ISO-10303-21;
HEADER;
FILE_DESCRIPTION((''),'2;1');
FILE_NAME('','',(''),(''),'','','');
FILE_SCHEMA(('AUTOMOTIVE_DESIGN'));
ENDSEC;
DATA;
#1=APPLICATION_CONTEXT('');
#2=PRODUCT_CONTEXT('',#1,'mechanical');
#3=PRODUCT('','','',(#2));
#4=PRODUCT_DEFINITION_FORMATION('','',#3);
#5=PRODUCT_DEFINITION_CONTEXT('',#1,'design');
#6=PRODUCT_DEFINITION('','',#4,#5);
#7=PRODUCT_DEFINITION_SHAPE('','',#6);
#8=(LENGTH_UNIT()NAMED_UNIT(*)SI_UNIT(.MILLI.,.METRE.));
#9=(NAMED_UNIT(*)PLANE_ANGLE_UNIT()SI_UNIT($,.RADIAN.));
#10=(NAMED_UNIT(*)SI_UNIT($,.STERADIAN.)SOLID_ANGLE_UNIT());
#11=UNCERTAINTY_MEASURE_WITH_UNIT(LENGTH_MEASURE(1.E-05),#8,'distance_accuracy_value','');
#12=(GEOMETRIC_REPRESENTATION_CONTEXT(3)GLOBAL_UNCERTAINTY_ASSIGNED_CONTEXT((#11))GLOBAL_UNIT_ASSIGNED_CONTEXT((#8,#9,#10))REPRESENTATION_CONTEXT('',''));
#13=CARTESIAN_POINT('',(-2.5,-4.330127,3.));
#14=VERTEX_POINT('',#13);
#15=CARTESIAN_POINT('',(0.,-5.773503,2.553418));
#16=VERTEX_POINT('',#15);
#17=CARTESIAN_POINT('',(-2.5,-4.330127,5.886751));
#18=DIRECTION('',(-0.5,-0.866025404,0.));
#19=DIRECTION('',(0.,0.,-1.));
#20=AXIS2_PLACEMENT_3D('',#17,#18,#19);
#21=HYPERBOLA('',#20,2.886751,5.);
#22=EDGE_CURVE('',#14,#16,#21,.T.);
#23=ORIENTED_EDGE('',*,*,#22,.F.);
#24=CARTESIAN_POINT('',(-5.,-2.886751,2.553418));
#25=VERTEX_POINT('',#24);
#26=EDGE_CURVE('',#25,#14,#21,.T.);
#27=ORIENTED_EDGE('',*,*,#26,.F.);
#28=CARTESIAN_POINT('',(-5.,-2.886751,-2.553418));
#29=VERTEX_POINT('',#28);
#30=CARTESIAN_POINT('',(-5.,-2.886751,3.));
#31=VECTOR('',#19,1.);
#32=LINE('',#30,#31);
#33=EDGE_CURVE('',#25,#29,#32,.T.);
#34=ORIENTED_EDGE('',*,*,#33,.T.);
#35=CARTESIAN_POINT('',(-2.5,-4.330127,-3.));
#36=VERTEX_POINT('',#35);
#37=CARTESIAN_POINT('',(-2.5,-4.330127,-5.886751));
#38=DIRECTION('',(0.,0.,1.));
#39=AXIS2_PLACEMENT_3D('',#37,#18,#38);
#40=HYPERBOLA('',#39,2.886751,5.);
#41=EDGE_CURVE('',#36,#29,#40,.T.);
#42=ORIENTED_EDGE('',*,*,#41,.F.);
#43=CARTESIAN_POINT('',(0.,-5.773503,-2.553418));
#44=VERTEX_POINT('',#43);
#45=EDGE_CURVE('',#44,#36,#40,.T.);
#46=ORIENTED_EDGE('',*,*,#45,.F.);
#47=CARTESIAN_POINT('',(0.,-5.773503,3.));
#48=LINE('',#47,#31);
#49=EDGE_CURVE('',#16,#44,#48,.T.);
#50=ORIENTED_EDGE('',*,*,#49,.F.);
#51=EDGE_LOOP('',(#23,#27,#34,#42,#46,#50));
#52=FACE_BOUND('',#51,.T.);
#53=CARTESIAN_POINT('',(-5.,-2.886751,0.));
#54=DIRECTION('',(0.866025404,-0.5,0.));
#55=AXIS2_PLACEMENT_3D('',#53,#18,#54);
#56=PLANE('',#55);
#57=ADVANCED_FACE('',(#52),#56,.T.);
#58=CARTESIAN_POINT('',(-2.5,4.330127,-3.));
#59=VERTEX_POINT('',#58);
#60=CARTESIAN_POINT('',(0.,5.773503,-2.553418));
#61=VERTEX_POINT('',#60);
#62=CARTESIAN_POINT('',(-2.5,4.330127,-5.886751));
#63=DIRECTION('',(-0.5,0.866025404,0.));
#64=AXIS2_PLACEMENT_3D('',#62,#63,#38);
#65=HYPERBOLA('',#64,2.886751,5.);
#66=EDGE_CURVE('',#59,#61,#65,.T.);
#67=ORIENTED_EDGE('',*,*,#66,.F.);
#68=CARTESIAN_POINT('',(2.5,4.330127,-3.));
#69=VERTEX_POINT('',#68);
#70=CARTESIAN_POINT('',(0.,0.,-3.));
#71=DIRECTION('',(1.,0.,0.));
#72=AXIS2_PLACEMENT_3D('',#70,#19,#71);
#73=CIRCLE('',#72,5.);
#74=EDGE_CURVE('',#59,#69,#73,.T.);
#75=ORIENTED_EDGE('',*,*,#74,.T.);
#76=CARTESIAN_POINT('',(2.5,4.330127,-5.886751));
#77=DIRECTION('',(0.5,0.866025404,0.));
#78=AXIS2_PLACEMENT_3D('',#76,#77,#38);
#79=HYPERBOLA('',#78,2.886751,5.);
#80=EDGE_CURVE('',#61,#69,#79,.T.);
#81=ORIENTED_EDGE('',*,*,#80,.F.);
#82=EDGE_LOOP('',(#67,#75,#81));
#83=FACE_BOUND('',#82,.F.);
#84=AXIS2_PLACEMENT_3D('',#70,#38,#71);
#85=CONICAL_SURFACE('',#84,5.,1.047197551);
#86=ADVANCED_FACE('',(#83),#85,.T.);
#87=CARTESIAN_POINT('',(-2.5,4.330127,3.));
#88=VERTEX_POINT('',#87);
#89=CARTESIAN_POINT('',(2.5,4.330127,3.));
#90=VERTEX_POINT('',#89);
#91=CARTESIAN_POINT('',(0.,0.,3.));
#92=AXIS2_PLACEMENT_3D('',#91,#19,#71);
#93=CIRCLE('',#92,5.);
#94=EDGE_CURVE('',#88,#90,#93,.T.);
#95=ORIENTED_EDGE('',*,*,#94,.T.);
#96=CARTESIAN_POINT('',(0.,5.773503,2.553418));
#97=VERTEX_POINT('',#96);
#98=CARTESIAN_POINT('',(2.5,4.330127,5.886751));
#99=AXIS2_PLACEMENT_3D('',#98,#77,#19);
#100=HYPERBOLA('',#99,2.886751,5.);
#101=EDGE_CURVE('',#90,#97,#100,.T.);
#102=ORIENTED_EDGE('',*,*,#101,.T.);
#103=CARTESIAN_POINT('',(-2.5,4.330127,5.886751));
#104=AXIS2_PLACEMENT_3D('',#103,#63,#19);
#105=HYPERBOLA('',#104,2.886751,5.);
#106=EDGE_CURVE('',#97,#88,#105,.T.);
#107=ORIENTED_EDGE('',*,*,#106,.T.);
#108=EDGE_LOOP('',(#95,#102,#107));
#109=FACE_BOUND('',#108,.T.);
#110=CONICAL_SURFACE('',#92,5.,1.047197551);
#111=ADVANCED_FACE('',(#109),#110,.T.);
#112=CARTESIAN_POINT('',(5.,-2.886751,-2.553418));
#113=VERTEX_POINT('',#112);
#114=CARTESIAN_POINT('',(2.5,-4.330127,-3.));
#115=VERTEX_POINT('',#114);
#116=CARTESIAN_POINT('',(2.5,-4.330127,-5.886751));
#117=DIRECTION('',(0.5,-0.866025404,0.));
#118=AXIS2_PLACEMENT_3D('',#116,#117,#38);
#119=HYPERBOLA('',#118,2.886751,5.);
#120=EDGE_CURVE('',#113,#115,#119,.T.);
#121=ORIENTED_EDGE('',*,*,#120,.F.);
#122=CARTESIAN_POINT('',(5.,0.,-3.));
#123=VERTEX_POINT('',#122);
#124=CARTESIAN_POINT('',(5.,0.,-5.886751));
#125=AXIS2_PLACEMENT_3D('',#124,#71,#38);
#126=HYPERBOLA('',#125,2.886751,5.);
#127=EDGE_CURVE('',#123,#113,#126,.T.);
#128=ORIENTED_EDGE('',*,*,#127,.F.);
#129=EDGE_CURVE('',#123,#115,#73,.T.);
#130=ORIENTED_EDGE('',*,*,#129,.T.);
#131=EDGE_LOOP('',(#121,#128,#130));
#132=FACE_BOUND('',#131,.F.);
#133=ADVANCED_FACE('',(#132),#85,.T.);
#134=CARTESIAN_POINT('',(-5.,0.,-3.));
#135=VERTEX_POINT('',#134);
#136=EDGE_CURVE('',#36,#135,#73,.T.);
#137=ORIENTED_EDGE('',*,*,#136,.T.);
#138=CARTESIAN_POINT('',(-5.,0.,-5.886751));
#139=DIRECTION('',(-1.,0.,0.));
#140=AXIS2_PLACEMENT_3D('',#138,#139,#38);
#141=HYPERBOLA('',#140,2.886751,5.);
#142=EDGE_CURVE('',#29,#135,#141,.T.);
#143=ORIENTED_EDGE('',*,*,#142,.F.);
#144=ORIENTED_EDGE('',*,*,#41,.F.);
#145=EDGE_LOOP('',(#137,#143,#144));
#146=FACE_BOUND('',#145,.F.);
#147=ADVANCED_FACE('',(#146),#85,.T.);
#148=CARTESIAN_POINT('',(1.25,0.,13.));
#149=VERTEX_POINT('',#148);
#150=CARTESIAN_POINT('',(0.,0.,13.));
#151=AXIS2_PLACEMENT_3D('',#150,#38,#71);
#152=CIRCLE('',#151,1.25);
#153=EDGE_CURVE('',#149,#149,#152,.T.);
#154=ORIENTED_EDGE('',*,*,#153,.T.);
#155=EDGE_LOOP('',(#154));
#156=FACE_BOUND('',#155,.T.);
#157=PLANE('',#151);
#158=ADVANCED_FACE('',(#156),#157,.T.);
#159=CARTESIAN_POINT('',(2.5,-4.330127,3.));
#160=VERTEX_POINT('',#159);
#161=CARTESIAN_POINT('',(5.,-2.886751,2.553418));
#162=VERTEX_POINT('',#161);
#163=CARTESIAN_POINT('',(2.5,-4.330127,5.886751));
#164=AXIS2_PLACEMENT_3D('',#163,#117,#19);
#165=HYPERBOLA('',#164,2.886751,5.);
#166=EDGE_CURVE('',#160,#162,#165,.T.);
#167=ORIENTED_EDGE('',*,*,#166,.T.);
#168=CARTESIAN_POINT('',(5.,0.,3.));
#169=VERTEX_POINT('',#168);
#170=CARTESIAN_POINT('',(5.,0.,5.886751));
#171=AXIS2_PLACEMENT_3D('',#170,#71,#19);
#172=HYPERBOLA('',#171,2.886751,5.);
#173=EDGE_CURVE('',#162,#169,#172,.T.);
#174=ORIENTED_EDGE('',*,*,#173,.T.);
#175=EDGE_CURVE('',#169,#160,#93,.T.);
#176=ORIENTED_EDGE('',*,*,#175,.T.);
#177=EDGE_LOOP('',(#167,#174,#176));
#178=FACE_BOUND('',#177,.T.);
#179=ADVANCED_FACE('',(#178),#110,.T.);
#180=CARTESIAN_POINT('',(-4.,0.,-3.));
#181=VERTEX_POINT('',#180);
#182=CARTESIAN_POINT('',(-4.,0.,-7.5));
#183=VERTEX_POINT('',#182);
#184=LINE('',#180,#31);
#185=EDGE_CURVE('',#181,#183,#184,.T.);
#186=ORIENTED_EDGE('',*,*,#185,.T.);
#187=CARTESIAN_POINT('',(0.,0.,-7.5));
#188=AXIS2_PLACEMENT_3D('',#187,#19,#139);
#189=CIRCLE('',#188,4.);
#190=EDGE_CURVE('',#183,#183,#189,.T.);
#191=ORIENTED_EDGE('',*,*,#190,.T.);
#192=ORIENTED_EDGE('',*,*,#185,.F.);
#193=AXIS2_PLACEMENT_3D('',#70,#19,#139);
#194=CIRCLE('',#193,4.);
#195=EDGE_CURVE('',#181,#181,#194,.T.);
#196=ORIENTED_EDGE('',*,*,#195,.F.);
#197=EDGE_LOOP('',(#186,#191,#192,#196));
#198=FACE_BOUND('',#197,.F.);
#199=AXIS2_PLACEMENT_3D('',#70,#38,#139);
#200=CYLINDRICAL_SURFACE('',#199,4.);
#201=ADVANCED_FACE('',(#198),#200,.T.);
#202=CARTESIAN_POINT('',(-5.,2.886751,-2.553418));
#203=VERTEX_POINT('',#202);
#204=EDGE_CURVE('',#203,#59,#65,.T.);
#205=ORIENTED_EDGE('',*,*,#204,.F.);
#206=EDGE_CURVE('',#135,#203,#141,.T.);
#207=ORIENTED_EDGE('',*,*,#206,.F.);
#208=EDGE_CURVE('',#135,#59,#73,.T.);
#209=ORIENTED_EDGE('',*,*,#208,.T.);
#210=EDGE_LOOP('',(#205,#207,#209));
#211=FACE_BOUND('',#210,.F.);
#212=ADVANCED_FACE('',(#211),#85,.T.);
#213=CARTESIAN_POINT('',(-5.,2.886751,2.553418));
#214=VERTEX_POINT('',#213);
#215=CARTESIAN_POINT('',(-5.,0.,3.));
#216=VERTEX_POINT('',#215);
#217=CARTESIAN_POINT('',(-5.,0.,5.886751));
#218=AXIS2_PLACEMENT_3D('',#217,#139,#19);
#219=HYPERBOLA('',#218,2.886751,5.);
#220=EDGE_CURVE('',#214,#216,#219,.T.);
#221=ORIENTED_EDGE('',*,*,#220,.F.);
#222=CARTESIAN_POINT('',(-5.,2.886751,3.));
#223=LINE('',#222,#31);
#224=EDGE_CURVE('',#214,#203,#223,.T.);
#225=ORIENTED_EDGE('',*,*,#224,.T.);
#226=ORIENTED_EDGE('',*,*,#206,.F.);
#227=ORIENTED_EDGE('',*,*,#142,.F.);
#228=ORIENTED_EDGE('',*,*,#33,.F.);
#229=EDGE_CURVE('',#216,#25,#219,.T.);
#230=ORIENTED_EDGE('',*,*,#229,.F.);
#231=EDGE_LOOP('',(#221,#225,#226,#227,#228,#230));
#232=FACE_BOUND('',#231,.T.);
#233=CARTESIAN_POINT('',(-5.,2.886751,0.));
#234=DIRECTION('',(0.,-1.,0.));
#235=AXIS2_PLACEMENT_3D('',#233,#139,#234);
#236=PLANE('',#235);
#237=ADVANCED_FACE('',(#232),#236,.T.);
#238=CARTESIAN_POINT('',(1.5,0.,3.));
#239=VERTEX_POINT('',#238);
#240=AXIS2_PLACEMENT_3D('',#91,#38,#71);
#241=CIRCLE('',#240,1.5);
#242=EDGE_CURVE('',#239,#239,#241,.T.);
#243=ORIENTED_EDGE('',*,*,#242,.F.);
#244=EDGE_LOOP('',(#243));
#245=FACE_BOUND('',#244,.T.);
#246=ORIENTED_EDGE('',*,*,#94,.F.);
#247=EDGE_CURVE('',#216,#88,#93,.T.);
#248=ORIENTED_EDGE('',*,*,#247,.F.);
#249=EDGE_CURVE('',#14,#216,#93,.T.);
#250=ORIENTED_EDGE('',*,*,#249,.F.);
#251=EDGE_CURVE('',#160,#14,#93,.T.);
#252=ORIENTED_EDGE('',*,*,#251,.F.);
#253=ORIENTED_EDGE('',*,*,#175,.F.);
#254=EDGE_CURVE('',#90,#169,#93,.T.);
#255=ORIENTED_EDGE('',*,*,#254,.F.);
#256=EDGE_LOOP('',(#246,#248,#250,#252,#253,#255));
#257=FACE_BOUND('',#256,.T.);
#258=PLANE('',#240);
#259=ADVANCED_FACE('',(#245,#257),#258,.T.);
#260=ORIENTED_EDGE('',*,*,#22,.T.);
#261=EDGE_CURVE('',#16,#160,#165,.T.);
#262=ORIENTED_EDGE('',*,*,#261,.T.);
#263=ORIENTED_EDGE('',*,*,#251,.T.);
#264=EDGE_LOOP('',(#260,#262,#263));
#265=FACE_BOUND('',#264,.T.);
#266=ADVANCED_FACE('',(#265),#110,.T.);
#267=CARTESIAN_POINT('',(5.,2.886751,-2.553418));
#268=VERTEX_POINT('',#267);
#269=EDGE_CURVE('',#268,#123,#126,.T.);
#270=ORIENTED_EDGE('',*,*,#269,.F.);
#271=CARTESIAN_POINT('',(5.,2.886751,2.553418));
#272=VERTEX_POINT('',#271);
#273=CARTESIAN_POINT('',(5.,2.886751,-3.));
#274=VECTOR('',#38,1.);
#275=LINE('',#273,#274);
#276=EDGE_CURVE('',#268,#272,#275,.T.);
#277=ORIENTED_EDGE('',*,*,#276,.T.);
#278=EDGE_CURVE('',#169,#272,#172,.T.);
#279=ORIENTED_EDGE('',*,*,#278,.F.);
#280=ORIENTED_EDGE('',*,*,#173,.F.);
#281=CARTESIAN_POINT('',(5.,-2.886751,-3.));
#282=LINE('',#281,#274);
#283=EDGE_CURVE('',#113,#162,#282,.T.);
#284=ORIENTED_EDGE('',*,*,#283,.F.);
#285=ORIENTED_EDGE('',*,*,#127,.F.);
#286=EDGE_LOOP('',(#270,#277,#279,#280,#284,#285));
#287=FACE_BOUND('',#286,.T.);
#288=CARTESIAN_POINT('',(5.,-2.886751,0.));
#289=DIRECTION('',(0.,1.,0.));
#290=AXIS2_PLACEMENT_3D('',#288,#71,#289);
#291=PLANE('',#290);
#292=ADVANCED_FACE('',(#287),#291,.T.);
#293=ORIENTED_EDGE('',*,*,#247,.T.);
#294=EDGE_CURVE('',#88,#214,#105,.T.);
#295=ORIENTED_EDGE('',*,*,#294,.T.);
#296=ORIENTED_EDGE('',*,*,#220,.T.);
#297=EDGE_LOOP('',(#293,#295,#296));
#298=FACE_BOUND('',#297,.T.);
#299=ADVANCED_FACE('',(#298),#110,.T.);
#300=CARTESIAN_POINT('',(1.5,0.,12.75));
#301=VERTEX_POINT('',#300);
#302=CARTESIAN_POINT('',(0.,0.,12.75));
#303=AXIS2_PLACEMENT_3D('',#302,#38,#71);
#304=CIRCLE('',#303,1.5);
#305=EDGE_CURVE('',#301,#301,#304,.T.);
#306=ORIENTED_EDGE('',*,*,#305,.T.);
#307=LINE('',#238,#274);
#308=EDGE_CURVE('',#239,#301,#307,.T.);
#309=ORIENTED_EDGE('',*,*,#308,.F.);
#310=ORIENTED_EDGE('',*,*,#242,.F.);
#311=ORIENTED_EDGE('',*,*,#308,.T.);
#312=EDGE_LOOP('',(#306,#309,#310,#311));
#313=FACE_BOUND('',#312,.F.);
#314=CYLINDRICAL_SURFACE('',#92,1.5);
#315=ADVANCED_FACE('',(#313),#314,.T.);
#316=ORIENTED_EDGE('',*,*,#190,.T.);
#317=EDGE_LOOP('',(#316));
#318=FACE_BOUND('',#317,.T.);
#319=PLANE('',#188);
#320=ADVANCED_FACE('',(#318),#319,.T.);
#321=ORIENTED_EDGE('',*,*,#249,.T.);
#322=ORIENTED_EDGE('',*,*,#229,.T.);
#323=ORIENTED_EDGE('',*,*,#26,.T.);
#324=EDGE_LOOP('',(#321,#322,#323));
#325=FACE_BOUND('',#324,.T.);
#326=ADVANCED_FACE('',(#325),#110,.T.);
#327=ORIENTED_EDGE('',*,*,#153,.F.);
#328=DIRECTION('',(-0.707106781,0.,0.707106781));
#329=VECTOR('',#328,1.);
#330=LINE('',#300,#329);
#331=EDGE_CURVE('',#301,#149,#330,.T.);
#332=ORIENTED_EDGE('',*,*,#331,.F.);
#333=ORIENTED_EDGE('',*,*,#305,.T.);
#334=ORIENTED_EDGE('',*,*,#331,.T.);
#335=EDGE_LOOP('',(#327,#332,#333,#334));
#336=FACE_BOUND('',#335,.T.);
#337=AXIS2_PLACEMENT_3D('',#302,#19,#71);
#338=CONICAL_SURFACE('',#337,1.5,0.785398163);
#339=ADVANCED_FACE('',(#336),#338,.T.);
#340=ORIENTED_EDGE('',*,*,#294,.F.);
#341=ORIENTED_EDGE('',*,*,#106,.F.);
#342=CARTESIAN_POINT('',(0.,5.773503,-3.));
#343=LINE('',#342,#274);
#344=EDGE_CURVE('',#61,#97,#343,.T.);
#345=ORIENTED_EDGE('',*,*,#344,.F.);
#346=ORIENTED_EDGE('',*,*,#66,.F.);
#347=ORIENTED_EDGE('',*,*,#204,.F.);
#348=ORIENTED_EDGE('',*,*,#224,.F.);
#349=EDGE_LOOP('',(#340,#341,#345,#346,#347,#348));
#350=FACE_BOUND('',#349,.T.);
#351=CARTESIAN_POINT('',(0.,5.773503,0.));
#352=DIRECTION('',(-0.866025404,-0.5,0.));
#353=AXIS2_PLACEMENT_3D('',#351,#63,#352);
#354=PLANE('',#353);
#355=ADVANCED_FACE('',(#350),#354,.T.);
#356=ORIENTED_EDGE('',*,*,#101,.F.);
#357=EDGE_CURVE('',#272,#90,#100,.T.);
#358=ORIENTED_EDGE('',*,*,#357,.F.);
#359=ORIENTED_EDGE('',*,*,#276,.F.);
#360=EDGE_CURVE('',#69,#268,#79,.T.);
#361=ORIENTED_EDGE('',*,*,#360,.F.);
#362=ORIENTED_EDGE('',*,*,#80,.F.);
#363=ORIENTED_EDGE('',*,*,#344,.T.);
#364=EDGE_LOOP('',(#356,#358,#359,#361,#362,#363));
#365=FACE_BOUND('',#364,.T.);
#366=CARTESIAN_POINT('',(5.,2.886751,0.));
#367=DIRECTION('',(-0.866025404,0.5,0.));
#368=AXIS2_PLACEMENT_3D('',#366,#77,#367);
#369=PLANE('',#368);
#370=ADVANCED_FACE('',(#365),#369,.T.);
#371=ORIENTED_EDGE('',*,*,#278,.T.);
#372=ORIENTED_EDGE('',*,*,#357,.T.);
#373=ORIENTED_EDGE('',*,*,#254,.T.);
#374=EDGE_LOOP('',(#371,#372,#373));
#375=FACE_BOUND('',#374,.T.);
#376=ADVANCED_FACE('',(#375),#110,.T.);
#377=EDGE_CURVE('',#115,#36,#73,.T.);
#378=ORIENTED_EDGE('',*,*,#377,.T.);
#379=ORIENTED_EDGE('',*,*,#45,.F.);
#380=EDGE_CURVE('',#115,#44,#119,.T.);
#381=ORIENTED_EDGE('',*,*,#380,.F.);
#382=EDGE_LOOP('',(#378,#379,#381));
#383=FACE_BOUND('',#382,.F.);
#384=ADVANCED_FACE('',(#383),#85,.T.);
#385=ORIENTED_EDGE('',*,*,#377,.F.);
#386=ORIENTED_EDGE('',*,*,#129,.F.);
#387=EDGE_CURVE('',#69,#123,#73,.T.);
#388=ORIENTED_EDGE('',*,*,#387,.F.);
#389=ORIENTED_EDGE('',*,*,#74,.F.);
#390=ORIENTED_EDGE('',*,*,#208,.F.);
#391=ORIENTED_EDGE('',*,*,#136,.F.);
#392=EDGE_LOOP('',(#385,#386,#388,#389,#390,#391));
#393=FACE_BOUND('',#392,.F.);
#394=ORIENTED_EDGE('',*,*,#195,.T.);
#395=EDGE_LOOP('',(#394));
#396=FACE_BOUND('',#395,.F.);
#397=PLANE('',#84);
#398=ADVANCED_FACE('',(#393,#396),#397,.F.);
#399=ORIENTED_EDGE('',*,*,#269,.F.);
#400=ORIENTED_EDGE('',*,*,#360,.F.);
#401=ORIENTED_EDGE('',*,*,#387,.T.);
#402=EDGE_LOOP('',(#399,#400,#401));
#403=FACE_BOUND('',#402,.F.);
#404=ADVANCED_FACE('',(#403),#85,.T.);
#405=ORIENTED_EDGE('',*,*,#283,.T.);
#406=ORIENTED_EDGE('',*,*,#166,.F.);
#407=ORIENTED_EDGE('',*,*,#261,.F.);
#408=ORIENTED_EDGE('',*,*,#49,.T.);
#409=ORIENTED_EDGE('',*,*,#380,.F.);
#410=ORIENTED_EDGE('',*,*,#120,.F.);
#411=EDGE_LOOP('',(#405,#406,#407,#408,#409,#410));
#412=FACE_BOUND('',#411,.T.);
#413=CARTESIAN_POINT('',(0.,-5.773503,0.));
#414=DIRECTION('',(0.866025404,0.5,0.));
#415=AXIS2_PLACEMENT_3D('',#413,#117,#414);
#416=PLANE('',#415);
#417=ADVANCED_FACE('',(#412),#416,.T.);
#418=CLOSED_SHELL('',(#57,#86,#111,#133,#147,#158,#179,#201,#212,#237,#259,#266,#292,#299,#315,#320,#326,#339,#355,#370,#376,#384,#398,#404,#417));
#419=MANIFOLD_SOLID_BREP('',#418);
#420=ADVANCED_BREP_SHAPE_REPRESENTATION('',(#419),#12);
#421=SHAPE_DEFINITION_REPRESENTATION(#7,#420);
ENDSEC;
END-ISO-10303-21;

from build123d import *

# Parameters (mm, degrees)
BOSS_EXTRU_1_DEPTH      = 3
ESQUISSE2_OUTSIDE_W     = 36.066
ESQUISSE2_OUTSIDE_H     = 37.614
ESQUISSE2_OUTSIDE_R     = 5
ENL_V_MAT_EXTRU_1_DEPTH = 6
ENL_V_MAT_EXTRU_1_TAPER = 60
ESQUISSE3_R             = 4
BOSS_EXTRU_2_DEPTH      = 4.5
ESQUISSE4_R             = 1.5
BOSS_EXTRU_3_DEPTH      = 10
CHANFREIN1_SIZE         = 0.25


with BuildPart() as part:
    # Esquisse1 → Boss.-Extru.1 (new body, symmetric)
    with BuildSketch(Plane.XY):
        Polygon((0, -5.773502692), (5, -2.886751346), (5, 2.886751346), (0, 5.773502692), (-5, 2.886751346), (-5, -2.886751346), align=None)
    extrude(amount=BOSS_EXTRU_1_DEPTH, both=True)

    # Esquisse2 outside → Enlèv. mat.-Extru.1 (cut)
    with BuildSketch(Plane.XY.offset(3)):
        Rectangle(ESQUISSE2_OUTSIDE_W, ESQUISSE2_OUTSIDE_H)
        Circle(ESQUISSE2_OUTSIDE_R, mode=Mode.SUBTRACT)
    enl_v_mat_extru_1 = extrude(amount=-ENL_V_MAT_EXTRU_1_DEPTH, taper=ENL_V_MAT_EXTRU_1_TAPER, mode=Mode.SUBTRACT)

    # Esquisse3 → Boss.-Extru.2 (add)
    with BuildSketch(Plane(origin=(0, 0, -3), x_dir=(-1, 0, 0), z_dir=(0, 0, -1))):
        Circle(ESQUISSE3_R)
    extrude(amount=BOSS_EXTRU_2_DEPTH)

    # Esquisse4 → Boss.-Extru.3 (add)
    with BuildSketch(Plane.XY.offset(3)):
        Circle(ESQUISSE4_R)
    extrude(amount=BOSS_EXTRU_3_DEPTH)

    # Chanfrein1
    chanfrein1_edges = [part.edges().sort_by_distance(p)[0] for p in [
        (-1.5, 0, 13),
    ]]
    chamfer(chanfrein1_edges, length=CHANFREIN1_SIZE)

    # Symétrie1: Enlèv. mat.-Extru.1 across plane
    add(enl_v_mat_extru_1.mirror(Plane.XY), mode=Mode.SUBTRACT)


solid = part.part
